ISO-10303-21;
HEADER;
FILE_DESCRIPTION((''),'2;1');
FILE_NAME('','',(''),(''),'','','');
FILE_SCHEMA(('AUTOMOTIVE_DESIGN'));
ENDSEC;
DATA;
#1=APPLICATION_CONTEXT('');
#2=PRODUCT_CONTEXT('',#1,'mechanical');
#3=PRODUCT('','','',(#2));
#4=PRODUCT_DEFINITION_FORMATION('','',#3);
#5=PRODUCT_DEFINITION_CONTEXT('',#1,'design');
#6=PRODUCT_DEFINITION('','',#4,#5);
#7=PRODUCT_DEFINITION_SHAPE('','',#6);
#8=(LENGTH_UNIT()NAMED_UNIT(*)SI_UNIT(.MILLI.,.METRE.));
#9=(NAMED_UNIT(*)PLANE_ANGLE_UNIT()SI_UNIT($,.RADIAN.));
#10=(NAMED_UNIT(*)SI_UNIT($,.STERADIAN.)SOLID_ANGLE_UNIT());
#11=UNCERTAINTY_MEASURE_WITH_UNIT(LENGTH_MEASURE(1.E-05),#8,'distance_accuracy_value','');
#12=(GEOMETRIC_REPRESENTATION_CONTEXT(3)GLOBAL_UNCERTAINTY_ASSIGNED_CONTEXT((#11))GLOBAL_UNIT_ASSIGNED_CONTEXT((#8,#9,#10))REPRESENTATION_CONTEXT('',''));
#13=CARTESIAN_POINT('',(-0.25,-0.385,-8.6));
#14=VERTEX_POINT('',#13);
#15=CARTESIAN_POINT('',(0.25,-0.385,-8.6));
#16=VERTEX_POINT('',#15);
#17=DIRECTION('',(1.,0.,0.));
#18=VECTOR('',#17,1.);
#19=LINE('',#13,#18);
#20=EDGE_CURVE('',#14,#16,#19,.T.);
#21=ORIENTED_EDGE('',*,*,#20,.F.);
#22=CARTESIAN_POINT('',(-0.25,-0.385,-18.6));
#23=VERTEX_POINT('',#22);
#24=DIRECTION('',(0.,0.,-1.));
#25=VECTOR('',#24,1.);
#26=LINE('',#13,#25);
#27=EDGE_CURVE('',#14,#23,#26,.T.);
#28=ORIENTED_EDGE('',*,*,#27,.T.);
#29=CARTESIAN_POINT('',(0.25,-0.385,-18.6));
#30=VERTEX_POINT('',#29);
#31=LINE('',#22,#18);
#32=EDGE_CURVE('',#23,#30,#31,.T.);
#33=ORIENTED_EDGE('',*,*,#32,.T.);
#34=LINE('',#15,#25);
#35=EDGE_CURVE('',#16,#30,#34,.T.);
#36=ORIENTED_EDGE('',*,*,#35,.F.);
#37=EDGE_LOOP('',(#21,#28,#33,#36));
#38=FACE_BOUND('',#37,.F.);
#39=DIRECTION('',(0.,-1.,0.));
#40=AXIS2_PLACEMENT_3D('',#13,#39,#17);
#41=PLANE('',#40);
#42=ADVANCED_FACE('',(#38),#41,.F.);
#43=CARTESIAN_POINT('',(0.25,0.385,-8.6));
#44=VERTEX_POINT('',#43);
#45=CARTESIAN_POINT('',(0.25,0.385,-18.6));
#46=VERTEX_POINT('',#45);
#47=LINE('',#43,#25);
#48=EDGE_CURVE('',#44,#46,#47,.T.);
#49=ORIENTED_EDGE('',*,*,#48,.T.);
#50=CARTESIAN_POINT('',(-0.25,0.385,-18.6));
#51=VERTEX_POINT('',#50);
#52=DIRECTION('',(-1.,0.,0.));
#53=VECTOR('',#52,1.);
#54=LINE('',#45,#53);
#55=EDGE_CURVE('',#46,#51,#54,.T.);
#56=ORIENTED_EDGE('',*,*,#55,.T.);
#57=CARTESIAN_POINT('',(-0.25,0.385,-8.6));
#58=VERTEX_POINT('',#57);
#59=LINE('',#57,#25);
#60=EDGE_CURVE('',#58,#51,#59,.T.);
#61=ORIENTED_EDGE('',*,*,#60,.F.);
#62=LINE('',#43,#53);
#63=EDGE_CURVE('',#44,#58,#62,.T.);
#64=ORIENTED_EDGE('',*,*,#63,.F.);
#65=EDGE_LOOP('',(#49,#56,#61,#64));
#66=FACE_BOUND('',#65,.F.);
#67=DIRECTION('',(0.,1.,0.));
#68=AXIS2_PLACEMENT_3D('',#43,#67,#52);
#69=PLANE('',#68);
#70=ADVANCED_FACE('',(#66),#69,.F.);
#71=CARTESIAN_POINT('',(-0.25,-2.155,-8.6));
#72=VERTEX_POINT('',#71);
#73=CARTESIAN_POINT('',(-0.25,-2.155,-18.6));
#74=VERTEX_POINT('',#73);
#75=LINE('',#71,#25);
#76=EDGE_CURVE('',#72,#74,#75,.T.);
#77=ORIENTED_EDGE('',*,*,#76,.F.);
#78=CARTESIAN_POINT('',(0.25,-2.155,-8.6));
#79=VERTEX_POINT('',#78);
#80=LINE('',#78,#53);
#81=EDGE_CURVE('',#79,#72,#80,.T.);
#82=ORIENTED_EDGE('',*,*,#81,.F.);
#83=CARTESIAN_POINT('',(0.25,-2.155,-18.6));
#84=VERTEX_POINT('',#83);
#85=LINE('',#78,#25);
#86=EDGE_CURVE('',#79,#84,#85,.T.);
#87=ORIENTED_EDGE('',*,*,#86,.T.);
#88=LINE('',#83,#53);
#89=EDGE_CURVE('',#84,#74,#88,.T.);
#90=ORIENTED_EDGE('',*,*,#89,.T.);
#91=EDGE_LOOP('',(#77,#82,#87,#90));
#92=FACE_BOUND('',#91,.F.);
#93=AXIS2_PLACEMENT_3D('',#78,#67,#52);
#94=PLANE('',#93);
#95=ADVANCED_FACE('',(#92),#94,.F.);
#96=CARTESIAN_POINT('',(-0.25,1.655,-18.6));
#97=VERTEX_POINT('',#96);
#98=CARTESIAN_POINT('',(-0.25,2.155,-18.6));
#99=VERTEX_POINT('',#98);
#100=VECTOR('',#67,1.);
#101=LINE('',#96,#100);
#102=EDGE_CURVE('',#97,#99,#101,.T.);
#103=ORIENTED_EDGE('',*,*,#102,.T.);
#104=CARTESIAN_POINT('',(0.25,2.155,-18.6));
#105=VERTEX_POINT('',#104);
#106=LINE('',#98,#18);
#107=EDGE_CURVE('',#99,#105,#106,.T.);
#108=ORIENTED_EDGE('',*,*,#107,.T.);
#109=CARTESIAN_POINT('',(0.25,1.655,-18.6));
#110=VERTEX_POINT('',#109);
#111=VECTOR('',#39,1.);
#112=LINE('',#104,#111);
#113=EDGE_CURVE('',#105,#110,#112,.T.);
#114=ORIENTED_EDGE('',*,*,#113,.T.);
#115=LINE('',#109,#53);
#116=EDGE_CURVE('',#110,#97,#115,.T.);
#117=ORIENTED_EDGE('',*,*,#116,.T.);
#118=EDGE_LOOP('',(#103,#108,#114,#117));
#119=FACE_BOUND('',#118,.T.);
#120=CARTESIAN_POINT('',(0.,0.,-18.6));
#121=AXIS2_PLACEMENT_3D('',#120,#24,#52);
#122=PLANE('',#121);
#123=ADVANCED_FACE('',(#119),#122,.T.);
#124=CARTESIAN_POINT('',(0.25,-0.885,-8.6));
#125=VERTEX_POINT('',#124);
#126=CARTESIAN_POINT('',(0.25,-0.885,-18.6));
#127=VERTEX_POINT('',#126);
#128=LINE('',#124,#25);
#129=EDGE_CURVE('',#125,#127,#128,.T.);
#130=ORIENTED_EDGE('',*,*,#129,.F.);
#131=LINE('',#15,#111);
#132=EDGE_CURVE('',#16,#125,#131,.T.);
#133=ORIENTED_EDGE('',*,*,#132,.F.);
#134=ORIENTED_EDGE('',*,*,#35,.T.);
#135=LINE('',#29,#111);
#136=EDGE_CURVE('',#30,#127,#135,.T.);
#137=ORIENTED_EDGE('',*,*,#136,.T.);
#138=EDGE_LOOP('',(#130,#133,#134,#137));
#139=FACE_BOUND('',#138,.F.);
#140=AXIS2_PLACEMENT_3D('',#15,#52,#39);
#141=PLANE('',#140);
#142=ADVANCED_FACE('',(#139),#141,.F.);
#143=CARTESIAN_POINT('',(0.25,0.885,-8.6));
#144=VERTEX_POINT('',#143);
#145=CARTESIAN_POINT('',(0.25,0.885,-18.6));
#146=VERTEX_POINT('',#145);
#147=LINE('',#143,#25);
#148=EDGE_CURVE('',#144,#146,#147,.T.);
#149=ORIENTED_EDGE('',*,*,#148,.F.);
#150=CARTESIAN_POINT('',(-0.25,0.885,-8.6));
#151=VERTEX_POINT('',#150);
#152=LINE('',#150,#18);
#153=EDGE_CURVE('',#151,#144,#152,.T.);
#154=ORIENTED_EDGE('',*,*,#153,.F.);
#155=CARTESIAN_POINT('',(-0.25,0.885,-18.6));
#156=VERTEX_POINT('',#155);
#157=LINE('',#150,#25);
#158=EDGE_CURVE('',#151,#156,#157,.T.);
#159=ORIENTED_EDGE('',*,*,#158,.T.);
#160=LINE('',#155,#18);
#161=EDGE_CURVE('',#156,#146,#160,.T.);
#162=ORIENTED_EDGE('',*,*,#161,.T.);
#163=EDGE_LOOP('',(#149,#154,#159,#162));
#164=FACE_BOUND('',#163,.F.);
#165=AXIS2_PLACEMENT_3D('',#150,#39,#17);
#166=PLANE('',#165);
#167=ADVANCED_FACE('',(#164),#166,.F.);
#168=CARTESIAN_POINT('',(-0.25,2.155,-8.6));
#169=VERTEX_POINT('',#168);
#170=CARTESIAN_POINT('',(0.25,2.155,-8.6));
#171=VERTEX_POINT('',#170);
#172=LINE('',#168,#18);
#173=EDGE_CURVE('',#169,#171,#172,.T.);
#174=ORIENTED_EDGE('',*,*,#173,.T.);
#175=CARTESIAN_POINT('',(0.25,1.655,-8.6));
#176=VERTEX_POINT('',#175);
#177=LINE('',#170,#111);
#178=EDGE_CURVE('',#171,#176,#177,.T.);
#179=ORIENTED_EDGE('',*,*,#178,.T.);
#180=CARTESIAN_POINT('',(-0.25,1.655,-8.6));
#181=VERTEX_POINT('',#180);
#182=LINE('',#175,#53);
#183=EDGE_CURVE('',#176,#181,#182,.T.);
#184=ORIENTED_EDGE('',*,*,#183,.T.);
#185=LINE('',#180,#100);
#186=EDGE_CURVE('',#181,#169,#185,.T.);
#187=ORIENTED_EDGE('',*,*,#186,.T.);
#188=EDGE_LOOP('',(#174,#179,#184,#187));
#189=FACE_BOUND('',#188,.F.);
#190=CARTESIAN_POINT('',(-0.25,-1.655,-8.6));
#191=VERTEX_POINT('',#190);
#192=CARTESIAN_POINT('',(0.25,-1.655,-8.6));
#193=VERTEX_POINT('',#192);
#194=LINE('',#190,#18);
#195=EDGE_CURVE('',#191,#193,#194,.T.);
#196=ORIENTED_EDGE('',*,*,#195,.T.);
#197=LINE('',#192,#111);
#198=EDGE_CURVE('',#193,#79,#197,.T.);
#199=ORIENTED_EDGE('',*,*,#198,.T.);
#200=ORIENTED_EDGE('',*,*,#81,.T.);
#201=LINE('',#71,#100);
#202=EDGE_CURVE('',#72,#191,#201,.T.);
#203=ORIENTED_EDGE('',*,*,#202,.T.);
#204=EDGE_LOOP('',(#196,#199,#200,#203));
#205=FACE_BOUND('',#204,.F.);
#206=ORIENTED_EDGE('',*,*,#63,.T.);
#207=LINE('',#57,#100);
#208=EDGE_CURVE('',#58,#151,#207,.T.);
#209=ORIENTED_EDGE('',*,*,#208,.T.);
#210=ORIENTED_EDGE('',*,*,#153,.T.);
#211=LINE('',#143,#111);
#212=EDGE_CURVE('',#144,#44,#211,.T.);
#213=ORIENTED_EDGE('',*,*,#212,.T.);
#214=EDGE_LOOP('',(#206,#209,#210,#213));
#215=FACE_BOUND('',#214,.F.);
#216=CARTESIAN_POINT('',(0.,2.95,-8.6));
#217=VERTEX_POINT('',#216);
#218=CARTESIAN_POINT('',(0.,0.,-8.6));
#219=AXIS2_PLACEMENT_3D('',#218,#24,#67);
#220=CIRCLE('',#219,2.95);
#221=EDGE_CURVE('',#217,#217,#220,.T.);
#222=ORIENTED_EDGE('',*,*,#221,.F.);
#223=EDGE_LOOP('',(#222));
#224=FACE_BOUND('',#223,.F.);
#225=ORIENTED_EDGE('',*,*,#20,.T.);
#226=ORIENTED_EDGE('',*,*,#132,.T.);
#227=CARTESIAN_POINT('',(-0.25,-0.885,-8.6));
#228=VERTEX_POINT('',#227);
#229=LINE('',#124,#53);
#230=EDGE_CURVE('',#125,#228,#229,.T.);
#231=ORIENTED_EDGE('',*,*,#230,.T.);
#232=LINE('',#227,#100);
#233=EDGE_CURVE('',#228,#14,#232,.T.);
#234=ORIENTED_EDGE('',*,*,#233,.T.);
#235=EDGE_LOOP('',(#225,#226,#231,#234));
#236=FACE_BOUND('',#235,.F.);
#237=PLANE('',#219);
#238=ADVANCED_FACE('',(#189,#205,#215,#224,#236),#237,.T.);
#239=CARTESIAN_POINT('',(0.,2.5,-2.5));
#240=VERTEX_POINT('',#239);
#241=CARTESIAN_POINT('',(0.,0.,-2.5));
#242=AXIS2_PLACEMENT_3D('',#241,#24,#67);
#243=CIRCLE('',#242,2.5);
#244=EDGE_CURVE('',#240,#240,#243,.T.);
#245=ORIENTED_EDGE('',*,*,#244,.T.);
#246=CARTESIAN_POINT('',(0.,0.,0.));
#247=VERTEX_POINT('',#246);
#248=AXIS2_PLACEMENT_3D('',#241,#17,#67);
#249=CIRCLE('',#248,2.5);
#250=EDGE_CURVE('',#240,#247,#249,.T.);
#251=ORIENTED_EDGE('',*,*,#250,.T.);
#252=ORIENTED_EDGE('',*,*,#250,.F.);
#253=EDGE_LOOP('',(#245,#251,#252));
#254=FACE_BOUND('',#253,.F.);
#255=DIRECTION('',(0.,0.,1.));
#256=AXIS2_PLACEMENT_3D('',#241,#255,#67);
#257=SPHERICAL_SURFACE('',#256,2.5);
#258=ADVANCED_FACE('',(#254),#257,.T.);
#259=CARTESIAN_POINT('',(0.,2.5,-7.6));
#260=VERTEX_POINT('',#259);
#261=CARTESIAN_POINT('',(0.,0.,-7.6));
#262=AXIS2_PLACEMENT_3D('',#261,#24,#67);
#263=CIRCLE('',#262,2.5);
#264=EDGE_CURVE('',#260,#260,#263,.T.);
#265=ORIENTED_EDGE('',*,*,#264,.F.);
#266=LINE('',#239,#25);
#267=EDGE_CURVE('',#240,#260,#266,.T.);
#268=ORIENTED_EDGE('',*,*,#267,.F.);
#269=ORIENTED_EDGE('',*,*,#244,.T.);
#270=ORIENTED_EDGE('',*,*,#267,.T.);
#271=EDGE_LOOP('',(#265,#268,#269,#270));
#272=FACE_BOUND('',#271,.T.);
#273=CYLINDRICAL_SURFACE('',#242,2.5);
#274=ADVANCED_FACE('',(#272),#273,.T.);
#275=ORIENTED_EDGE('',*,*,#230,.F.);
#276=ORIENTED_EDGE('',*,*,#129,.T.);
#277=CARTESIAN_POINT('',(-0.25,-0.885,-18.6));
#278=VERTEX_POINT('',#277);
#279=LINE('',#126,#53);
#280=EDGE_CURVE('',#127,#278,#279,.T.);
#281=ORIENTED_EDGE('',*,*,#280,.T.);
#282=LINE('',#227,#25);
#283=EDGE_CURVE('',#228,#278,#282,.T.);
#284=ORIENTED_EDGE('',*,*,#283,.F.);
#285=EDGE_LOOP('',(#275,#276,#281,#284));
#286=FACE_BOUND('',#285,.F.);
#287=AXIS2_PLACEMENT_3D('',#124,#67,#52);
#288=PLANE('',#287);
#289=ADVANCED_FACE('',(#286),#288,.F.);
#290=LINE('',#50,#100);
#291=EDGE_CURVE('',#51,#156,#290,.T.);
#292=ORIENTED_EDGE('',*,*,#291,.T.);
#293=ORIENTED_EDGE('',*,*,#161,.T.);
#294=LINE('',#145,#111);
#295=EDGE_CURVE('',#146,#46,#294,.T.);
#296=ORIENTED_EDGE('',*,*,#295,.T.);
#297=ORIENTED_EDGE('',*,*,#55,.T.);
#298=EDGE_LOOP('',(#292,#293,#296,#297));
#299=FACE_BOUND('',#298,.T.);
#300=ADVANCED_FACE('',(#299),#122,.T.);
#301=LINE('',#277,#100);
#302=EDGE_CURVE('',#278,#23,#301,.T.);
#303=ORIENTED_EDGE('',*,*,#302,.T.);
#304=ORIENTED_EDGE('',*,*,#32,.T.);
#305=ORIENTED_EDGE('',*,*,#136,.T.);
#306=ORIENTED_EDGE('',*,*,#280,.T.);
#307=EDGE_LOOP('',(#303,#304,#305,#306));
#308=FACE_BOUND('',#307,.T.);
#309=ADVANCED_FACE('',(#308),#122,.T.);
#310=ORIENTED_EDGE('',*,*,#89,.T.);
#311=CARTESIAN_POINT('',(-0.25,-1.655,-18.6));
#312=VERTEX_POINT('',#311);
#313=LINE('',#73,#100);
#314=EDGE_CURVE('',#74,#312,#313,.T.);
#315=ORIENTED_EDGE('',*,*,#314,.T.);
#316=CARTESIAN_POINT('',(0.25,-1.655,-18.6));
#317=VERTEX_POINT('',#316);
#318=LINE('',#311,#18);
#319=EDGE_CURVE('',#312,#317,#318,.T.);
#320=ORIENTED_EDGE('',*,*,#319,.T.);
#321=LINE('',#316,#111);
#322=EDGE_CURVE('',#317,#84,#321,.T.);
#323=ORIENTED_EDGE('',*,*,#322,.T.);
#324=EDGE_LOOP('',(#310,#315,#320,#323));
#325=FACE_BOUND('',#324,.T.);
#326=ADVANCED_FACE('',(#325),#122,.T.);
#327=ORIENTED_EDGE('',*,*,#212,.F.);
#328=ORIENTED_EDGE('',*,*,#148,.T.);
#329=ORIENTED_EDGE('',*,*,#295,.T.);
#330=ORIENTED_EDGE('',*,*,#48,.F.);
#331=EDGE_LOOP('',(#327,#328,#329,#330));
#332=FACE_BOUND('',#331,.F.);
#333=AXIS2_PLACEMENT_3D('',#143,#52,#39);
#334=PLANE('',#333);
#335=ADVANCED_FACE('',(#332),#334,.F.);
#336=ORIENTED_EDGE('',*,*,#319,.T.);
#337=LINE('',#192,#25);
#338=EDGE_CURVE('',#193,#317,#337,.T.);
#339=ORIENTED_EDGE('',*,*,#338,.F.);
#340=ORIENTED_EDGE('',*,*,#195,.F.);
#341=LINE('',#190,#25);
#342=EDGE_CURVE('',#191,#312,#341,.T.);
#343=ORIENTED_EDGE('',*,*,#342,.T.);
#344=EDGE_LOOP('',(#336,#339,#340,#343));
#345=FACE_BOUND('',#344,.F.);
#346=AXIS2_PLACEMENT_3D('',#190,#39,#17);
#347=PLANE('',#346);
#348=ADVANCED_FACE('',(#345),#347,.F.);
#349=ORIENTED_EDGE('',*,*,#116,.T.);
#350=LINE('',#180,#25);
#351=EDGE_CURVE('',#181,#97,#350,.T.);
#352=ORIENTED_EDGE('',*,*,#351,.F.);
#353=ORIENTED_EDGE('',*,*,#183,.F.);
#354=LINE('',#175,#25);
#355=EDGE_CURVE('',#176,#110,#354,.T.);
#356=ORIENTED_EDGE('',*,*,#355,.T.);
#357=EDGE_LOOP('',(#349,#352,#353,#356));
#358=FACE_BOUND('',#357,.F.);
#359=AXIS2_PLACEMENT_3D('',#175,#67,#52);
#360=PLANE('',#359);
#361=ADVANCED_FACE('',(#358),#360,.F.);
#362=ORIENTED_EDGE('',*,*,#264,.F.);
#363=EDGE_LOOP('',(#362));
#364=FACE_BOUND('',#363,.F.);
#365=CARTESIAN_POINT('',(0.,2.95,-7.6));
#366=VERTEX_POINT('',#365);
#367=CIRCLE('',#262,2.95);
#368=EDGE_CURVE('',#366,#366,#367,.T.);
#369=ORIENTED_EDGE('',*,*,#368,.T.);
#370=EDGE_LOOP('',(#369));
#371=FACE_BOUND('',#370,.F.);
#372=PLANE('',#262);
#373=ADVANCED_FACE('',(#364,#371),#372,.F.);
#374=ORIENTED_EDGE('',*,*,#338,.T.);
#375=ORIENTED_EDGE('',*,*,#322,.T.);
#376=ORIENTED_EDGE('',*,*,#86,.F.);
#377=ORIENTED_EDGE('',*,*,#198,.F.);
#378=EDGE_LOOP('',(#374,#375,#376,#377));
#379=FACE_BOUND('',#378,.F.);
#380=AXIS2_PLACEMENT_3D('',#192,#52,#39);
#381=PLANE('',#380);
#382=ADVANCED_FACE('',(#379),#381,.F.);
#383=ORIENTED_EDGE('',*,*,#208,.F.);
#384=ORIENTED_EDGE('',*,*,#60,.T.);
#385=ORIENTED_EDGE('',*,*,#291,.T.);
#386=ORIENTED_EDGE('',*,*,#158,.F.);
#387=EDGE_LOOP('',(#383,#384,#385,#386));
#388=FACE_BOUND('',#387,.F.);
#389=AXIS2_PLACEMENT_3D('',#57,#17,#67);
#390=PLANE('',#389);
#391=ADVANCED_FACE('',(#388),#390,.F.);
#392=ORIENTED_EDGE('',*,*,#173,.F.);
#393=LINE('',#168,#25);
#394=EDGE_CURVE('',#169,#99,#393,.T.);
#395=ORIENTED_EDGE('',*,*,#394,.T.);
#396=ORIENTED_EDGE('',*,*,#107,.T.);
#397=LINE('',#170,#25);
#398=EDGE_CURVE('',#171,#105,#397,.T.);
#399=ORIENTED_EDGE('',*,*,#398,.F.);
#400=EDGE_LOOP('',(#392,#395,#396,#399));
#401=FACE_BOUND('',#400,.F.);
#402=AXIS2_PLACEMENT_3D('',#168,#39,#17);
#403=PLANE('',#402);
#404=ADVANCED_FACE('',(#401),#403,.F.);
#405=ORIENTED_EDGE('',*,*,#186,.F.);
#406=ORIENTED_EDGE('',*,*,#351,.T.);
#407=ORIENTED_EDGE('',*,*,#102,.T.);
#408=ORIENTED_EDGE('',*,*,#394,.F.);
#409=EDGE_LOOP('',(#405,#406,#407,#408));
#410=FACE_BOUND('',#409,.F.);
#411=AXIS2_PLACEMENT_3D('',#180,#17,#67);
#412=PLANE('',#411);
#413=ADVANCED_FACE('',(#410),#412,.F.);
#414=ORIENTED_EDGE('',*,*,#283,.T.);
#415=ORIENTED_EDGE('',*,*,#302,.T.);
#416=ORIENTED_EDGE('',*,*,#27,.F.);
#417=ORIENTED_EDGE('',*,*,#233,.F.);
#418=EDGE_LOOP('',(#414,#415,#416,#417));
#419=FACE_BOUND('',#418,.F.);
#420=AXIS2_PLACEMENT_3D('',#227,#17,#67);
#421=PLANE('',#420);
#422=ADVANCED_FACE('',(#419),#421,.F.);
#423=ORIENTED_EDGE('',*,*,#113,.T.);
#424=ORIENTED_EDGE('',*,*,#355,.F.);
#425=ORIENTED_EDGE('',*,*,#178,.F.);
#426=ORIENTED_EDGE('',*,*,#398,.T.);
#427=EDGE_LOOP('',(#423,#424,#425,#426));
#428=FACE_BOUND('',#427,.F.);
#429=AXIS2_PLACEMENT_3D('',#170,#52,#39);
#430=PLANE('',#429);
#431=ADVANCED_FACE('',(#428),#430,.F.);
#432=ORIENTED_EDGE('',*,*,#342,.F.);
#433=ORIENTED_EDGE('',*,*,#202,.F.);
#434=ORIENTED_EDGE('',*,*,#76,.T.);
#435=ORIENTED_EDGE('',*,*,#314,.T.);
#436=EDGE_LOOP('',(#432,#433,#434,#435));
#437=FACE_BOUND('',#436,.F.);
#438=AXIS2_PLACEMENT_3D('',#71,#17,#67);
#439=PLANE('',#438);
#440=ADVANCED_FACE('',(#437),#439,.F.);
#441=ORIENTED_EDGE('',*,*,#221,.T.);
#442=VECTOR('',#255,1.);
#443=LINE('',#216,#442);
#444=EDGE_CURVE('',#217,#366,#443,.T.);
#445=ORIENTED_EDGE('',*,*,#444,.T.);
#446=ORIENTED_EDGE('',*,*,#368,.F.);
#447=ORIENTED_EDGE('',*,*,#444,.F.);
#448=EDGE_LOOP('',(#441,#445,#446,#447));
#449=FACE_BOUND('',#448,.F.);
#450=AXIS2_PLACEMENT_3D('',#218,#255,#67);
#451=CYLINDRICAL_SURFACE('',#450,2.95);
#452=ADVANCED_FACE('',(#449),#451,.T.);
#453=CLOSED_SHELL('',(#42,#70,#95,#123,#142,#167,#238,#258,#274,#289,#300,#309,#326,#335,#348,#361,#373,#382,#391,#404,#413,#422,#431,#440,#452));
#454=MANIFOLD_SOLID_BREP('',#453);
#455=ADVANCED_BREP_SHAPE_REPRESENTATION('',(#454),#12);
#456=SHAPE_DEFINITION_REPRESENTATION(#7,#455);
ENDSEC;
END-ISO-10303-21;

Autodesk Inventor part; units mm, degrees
ref_plane "YZ Plane" through (0, 0, 0) normal (1, 0, 0) x (0, 1, 0)
ref_plane "XZ Plane" through (0, 0, 0) normal (0, 1, 0) x (-1, 0, 0)
ref_plane "XY Plane" through (0, 0, 0) normal (0, 0, 1) x (1, 0, 0)
sketch "스케치1" plane through (0, 0, 0) normal (1, 0, 0) x (0, 1, 0)
  line L0 (0, 0) -> (0, -8.6)
  line L1 (0, -8.6) -> (0, -25.7335)
  arc A0 (2.5, -2.5) -> (0, 0) centre (0, -2.5) ccw
  line L2 (2.5, -2.5) -> (2.5, -7.6)
  line L3 (0, -8.6) -> (2.95, -8.6)
  line L4 (2.95, -8.6) -> (2.95, -7.6)
  line L5 (2.95, -7.6) -> (2.5, -7.6)
  dimension "d0" = 8.6
  dimension "d1" = 17.1335
  dimension "d2" = 5
  dimension "d3" = 1
  dimension "d4" = 2.5
  dimension "d6" = 5.9
revolve "회전1" add sketch "스케치1" angle 360 about axis through (0, 0, -8.6) along (0, 0, -1)
sketch "스케치2" plane through (0, 0, -8.6) normal (0, 0, -1) x (-1, 0, 0)
  line L0 (0.25, -1.655) -> (-0.25, -1.655)
  line L1 (-0.25, -1.655) -> (-0.25, -2.155)
  line L2 (-0.25, -2.155) -> (0.25, -2.155)
  line L3 (0.25, -2.155) -> (0.25, -1.655)
  line L4 (0.25, -1.655) -> (-0.25, -2.155) construction
  line L5 (-0.25, -1.655) -> (0.25, -2.155) construction
  line L6 (0.25, -0.385) -> (-0.25, -0.385)
  line L7 (-0.25, -0.385) -> (-0.25, -0.885)
  line L8 (-0.25, -0.885) -> (0.25, -0.885)
  line L9 (0.25, -0.885) -> (0.25, -0.385)
  line L10 (0.25, -0.385) -> (-0.25, -0.885) construction
  line L11 (-0.25, -0.385) -> (0.25, -0.885) construction
  line L12 (0.25, 0.885) -> (-0.25, 0.885)
  line L13 (-0.25, 0.885) -> (-0.25, 0.385)
  line L14 (-0.25, 0.385) -> (0.25, 0.385)
  line L15 (0.25, 0.385) -> (0.25, 0.885)
  line L16 (0.25, 0.885) -> (-0.25, 0.385) construction
  line L17 (-0.25, 0.885) -> (0.25, 0.385) construction
  line L18 (0.25, 2.155) -> (-0.25, 2.155)
  line L19 (-0.25, 2.155) -> (-0.25, 1.655)
  line L20 (-0.25, 1.655) -> (0.25, 1.655)
  line L21 (0.25, 1.655) -> (0.25, 2.155)
  line L22 (0.25, 2.155) -> (-0.25, 1.655) construction
  line L23 (-0.25, 2.155) -> (0.25, 1.655) construction
  line L24 (0, -1.905) -> (0, 1.905) construction
  point P0 (0, 0)
  point P1 (0, -0.635)
  point P2 (0, 0.635)
  point P3 (0, 0)
  point P4 (0, 0)
  dimension "d8" = 0.5
  dimension "d9" = 0.5
  dimension "d10" = 0.5
  dimension "d11" = 0.5
  dimension "d12" = 0.5
  dimension "d13" = 0.5
  dimension "d14" = 0.5
  dimension "d15" = 0.5
  dimension "d16" = 1.27
  dimension "d17" = 1.27
  dimension "d18" = 1.27
extrude "돌출1" add sketch "스케치2" along normal blind 10
equation "\"d17\" = d16"
equation "\"d18\" = d17"
properties part number "led"
